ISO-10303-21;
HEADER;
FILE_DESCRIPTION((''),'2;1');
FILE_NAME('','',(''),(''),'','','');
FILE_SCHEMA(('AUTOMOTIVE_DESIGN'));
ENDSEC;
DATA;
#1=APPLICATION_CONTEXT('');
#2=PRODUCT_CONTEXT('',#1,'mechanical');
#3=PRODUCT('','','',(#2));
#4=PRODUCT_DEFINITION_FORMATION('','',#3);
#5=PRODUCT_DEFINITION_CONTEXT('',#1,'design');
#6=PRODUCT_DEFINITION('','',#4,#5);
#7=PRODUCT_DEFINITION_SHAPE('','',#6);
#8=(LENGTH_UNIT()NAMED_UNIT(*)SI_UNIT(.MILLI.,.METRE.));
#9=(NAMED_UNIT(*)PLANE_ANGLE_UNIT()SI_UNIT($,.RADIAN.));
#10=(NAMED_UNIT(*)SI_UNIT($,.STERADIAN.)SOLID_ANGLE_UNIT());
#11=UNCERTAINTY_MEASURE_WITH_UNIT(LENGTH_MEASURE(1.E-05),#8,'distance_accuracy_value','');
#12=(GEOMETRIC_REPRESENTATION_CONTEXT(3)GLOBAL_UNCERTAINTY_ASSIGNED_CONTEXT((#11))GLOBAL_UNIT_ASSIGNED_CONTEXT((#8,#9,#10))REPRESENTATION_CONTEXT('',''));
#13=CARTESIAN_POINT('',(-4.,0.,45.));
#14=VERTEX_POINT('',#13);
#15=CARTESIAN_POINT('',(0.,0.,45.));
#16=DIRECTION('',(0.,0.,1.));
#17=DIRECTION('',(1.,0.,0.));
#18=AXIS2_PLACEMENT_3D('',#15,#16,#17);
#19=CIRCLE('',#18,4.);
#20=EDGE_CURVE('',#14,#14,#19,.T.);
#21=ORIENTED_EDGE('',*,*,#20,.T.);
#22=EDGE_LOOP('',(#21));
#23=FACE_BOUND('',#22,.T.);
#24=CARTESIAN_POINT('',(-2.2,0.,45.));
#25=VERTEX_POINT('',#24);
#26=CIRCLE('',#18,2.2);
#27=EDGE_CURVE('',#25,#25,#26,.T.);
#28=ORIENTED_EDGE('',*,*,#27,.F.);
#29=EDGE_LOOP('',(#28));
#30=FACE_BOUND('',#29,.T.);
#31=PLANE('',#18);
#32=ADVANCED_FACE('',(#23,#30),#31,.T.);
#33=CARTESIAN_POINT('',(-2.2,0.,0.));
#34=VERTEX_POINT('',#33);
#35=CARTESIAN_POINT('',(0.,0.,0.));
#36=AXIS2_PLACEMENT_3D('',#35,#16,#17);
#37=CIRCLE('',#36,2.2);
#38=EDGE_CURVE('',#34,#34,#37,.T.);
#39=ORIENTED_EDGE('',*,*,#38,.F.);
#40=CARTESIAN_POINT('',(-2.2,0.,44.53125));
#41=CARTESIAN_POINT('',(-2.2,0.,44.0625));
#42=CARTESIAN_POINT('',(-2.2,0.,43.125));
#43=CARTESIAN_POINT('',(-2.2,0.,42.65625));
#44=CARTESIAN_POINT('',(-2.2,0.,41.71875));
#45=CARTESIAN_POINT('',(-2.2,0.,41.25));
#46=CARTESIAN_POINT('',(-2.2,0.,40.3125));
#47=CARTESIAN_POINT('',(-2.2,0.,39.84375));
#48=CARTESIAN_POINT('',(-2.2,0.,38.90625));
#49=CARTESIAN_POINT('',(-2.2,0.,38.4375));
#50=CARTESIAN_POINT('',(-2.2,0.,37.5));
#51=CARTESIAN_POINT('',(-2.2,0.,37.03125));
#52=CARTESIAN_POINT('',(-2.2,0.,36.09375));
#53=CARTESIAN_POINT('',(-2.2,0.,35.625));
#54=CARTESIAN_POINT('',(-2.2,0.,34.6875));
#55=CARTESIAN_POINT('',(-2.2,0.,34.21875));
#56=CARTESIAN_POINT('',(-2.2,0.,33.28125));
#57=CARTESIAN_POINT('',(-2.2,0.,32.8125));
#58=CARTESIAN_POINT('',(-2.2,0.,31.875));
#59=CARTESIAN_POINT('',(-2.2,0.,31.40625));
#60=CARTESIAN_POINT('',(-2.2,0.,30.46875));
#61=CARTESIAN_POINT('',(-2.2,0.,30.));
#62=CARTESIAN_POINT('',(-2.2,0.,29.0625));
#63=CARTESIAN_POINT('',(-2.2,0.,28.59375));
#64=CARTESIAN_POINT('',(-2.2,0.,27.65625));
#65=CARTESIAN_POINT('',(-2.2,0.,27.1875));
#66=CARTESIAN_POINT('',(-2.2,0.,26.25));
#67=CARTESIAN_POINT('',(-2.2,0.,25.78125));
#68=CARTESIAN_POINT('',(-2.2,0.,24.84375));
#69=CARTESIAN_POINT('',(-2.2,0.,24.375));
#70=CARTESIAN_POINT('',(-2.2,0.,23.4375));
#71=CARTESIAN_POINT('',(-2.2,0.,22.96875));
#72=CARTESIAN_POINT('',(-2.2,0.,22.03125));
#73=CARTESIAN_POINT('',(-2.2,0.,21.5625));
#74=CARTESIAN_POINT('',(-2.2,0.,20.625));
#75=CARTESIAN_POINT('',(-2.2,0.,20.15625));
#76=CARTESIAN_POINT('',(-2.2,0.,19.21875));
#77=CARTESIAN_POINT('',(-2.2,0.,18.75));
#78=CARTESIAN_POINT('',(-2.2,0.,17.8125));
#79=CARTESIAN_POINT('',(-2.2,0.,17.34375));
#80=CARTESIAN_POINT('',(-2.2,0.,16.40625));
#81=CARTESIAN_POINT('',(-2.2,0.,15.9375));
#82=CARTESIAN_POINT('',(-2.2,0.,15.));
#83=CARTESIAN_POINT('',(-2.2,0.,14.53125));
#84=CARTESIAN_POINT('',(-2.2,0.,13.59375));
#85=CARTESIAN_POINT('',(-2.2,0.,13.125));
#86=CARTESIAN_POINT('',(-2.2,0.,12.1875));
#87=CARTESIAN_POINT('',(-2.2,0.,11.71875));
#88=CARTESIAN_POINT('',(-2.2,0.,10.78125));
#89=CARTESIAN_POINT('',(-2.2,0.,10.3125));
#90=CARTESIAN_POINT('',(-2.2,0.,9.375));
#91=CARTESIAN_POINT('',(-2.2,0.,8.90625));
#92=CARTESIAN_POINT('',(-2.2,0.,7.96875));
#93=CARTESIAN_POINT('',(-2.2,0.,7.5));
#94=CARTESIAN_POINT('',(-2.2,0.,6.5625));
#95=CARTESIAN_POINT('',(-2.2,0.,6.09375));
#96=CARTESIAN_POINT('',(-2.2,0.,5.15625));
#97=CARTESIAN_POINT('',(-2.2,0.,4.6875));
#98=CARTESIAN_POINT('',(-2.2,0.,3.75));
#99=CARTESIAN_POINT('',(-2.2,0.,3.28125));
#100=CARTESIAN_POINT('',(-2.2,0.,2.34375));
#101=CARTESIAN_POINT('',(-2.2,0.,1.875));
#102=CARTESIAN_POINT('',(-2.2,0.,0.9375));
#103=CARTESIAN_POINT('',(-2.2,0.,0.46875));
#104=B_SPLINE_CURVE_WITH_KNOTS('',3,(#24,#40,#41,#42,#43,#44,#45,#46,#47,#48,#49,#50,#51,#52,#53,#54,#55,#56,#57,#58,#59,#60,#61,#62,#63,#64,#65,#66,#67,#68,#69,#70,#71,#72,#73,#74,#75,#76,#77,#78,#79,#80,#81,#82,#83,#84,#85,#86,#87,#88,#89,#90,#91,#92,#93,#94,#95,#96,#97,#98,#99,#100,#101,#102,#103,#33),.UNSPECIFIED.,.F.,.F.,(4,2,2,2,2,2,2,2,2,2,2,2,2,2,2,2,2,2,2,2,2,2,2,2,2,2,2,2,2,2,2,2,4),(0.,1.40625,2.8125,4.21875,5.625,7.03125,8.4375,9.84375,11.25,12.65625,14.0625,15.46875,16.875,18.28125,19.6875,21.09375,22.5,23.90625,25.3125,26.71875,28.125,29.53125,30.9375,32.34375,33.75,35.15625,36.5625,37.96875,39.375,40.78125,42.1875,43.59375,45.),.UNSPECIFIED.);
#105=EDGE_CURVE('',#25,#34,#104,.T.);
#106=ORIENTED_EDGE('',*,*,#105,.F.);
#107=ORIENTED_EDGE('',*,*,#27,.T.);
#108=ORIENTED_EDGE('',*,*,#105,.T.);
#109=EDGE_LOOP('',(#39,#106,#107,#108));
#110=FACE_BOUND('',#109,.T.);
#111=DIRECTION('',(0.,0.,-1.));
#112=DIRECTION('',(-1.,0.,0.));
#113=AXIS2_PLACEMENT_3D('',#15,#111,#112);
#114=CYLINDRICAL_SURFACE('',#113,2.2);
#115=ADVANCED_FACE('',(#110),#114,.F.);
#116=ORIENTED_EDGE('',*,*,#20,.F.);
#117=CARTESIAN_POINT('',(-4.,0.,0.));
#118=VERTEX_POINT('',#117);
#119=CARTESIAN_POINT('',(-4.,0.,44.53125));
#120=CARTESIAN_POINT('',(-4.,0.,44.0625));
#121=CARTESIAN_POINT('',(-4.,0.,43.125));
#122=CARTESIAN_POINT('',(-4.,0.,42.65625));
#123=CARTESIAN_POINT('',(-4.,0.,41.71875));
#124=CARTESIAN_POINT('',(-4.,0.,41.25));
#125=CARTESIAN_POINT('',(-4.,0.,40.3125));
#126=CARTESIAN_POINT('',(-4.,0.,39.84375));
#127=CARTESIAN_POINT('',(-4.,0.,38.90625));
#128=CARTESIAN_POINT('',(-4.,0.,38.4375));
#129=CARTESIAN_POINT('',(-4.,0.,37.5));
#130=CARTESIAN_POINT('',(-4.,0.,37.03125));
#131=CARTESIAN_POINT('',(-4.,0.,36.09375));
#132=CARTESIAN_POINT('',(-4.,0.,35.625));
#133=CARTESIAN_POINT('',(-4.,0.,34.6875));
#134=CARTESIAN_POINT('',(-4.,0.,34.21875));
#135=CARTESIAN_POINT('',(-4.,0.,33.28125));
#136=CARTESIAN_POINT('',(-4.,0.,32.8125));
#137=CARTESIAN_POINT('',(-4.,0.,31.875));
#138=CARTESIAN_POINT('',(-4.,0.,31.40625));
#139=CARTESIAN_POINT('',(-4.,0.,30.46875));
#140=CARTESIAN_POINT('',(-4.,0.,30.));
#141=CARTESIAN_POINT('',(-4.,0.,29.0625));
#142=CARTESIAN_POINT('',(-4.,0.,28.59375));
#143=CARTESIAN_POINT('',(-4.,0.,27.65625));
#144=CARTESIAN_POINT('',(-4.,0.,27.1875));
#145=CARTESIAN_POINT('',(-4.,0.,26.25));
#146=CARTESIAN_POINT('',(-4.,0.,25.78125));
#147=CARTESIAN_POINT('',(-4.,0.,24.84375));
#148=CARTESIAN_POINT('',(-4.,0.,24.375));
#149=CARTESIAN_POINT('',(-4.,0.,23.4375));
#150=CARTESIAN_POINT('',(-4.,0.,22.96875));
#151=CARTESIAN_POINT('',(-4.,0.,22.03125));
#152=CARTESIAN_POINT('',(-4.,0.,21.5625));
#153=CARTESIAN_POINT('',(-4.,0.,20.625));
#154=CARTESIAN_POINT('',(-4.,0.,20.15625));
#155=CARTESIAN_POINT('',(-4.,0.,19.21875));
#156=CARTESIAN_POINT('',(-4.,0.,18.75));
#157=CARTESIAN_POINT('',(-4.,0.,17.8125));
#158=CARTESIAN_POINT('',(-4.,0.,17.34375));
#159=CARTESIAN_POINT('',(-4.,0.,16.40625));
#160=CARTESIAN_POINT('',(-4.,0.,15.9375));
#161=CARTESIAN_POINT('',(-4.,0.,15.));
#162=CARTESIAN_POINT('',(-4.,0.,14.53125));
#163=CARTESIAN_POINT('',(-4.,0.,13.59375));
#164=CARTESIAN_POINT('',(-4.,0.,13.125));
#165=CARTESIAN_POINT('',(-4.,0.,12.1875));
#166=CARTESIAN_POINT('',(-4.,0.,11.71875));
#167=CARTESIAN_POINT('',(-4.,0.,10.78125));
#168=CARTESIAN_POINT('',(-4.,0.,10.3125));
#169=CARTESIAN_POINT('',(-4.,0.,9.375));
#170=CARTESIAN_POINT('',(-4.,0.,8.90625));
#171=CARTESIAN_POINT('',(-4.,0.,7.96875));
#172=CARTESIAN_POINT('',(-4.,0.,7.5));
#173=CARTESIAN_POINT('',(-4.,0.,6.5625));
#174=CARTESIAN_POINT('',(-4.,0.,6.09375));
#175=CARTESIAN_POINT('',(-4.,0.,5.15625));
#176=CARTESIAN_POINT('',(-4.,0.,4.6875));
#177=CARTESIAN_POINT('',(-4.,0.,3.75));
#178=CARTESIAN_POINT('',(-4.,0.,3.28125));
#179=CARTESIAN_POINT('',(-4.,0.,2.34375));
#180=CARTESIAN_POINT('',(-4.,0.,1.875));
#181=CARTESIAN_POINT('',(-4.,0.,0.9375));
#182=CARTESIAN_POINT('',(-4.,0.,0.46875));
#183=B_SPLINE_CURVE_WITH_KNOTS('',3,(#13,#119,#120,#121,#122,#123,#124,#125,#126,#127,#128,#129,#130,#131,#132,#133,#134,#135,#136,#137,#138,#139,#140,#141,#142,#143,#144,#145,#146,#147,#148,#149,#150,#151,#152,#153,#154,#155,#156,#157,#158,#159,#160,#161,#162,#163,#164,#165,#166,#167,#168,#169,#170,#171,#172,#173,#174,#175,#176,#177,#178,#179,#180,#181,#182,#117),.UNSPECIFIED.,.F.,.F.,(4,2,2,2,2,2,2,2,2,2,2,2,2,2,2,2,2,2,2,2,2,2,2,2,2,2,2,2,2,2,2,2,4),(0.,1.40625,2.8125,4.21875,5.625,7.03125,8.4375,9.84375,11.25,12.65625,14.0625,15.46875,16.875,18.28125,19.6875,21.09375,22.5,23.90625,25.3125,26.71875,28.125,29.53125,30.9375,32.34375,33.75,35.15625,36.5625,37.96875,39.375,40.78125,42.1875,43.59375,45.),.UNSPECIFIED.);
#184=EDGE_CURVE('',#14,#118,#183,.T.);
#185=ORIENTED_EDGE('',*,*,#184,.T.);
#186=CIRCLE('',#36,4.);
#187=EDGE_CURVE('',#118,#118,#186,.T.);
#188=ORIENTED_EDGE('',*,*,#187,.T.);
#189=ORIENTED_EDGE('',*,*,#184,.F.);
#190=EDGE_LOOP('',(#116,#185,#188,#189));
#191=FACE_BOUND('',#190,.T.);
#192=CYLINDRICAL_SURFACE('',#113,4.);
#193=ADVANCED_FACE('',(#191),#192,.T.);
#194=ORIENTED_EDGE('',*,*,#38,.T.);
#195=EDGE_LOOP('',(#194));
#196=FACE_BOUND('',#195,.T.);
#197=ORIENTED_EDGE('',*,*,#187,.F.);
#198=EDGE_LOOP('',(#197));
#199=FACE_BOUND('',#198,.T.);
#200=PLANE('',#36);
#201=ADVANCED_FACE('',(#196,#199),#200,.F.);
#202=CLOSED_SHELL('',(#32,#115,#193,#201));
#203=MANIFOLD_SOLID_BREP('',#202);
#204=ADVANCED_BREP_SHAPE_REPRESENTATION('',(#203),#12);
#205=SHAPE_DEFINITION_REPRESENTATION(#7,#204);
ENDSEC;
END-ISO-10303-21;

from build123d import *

# Parameters (mm, degrees)
M4_SLEEVE_PROFILE_R   = 4
M4_SLEEVE_PROFILE_R_2 = 2.2
M4_SLEEVE_DEPTH       = 45


with BuildPart() as part:
    # M4 sleeve profile → M4 sleeve (new body)
    with BuildSketch(Plane.XY):
        with Locations(Location((0, 0, 0), (0, 0, 180))):
            Circle(M4_SLEEVE_PROFILE_R)
        with Locations(Location((0, 0, 0), (0, 0, 180))):
            Circle(M4_SLEEVE_PROFILE_R_2, mode=Mode.SUBTRACT)
    extrude(amount=M4_SLEEVE_DEPTH)


solid = part.part
